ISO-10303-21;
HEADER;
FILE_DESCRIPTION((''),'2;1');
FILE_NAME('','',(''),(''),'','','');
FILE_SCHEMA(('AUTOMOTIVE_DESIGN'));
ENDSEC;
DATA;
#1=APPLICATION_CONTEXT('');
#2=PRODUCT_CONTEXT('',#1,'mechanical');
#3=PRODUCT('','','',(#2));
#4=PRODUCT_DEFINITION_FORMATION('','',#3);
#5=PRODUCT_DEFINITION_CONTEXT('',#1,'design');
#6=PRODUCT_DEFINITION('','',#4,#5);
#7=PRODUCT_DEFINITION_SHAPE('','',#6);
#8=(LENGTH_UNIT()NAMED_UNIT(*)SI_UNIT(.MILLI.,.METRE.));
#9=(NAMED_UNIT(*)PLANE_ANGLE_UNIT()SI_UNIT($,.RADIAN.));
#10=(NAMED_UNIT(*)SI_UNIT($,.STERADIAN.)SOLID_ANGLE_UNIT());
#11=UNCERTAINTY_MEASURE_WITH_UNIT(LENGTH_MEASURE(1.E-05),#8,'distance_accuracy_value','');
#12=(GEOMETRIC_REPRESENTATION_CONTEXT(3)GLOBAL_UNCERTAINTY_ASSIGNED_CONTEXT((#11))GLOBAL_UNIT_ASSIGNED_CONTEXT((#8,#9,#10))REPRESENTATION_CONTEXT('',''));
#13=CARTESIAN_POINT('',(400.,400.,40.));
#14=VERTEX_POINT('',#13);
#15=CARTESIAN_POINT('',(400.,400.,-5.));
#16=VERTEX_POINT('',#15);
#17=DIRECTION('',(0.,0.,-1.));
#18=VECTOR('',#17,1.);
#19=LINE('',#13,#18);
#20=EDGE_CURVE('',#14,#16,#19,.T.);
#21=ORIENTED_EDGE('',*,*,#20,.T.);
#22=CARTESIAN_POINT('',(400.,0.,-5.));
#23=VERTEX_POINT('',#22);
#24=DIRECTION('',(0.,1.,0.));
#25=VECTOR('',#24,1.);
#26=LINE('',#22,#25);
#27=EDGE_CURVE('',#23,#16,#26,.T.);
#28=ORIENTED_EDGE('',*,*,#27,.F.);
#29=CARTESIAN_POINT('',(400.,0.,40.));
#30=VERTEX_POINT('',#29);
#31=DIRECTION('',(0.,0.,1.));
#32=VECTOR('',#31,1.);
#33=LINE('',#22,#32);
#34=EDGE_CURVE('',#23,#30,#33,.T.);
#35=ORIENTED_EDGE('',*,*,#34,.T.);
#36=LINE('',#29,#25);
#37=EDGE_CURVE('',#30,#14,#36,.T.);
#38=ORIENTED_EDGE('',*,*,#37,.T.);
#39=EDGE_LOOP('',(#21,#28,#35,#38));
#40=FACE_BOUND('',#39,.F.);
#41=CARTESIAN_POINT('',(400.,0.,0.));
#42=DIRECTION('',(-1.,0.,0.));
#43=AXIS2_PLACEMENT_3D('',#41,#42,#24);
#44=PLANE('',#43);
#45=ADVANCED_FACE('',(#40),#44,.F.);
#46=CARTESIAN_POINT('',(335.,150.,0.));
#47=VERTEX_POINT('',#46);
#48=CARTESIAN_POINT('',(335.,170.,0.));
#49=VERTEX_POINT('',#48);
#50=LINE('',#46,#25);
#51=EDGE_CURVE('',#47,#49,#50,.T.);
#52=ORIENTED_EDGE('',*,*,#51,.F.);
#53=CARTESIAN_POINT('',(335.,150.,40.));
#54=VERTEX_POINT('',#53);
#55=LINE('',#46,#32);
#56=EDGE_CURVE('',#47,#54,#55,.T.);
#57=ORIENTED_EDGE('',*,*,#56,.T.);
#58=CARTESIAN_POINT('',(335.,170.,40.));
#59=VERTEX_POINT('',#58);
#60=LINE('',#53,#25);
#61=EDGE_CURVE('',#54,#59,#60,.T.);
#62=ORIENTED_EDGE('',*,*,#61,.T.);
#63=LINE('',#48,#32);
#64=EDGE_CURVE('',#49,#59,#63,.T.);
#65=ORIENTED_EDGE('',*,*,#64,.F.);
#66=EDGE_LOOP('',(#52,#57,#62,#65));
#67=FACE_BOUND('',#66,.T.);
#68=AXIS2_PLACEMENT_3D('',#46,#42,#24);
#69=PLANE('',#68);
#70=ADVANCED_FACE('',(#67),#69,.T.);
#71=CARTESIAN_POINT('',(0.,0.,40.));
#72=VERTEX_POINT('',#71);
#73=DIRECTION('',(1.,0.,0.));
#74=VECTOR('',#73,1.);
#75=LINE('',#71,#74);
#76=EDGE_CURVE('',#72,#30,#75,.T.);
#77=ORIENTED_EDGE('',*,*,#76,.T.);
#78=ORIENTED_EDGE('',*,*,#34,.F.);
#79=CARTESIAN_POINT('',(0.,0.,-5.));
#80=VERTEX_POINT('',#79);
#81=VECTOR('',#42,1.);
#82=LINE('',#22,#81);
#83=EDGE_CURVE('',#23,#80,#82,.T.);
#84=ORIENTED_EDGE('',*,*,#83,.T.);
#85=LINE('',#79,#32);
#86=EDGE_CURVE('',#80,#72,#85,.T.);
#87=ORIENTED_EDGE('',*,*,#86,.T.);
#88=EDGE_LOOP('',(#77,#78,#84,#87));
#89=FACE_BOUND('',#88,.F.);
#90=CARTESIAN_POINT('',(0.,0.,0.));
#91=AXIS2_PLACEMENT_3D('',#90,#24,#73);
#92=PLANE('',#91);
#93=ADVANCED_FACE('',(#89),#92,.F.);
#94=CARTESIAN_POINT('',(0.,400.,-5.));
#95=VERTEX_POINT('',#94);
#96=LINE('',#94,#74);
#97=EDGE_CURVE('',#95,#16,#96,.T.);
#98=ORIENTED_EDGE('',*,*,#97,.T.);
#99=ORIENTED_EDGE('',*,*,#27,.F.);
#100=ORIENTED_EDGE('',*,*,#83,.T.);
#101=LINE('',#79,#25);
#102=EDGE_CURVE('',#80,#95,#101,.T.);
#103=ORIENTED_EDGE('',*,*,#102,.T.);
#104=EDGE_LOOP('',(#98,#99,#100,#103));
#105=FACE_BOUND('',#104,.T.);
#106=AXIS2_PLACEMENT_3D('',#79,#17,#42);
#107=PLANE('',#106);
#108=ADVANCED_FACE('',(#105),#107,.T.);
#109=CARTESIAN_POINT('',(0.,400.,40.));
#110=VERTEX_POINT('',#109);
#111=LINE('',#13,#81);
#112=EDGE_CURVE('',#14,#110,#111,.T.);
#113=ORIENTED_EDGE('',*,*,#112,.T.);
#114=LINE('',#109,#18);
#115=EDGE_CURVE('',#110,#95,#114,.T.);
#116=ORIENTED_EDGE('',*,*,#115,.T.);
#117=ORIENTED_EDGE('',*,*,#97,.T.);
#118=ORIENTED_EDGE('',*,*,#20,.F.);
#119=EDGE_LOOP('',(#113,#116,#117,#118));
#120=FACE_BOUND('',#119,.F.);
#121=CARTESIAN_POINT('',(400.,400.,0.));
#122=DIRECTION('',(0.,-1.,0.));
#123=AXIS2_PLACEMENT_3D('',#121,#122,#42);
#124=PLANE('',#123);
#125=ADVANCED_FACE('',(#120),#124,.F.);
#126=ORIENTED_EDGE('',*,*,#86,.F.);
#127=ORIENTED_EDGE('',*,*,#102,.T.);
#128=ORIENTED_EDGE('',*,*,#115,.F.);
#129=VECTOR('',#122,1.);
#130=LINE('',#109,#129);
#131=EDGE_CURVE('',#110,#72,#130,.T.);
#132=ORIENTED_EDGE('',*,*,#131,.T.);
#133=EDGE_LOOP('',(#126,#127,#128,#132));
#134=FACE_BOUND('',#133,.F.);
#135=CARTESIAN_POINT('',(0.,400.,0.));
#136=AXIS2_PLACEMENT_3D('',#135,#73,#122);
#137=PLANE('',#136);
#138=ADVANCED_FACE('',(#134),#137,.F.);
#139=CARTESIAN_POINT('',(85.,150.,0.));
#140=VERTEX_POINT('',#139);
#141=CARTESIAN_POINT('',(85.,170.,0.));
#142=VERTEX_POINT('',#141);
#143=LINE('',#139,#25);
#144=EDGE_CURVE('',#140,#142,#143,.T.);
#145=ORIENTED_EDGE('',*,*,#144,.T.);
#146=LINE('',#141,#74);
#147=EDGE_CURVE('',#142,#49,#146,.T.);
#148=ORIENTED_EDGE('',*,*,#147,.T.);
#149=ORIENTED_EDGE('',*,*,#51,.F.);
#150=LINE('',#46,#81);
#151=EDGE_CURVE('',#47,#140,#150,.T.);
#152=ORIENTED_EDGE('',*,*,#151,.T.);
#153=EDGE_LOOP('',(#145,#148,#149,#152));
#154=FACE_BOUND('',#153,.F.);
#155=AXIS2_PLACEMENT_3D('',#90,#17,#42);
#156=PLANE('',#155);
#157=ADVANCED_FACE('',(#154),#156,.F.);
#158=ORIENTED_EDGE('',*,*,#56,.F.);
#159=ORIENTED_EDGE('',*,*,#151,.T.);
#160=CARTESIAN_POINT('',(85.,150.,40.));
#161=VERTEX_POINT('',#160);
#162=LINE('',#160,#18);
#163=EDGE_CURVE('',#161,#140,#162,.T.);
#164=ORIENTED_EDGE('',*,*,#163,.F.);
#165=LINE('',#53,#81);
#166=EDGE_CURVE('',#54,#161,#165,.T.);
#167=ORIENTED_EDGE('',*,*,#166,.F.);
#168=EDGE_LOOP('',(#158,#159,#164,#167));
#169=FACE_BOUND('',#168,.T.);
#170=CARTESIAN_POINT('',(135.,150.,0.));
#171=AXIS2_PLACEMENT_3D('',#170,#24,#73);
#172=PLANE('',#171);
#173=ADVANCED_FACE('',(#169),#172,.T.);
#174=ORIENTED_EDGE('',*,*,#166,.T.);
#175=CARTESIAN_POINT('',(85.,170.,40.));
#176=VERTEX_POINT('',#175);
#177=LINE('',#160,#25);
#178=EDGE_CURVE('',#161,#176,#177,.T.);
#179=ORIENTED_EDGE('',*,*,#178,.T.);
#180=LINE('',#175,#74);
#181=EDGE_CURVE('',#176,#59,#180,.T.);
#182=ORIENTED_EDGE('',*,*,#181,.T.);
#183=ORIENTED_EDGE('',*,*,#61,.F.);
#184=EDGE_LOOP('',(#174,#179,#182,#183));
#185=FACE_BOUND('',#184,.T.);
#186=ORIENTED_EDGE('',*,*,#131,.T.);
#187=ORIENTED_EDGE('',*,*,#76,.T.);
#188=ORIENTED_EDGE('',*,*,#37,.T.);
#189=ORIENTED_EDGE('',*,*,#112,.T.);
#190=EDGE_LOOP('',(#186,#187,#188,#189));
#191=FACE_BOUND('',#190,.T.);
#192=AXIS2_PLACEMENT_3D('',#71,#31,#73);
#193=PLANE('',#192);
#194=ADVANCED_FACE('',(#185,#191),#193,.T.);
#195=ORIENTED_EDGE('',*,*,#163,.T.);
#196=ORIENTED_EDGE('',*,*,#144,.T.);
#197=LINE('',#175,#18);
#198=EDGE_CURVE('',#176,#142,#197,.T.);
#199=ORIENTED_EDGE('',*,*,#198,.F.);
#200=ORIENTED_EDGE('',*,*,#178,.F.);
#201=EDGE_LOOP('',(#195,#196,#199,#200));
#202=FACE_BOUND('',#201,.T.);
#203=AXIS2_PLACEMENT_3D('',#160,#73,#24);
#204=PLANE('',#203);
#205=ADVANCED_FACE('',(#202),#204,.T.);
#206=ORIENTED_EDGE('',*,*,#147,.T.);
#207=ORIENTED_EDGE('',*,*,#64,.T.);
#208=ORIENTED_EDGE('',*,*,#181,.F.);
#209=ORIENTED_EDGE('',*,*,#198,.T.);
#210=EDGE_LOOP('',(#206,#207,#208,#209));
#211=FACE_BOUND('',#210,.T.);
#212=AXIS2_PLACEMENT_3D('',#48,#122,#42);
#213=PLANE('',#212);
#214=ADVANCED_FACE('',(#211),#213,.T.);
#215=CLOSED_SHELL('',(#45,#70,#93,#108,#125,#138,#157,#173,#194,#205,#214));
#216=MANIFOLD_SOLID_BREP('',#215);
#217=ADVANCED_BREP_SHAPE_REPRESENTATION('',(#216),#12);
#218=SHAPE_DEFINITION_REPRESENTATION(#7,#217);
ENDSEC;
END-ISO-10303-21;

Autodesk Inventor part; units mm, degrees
ref_plane "YZ Plane" through (0, 0, 0) normal (1, 0, 0) x (0, 1, 0)
ref_plane "XZ Plane" through (0, 0, 0) normal (0, 1, 0) x (-1, 0, 0)
ref_plane "XY Plane" through (0, 0, 0) normal (0, 0, 1) x (1, 0, 0)
sketch "Sketch1" plane through (0, 0, 0) normal (0, 0, 1) x (1, 0, 0)
  line L0 (0, 0) -> (400, 0)
  line L1 (400, 0) -> (400, 400)
  line L2 (400, 400) -> (0, 400)
  line L3 (0, 400) -> (0, 0)
  line L4 (135, 150) -> (335, 150)
  line L5 (335, 150) -> (335, 170)
  line L6 (335, 170) -> (135, 170)
  line L7 (135, 170) -> (135, 150)
  dimension "d0" = 400
  dimension "d1" = 400
  dimension "d2" = 200
  dimension "d3" = 20
extrude "Extrusion1" add sketch "Sketch1" along normal blind 40
sketch "Sketch2" plane through (0, 0, 0) normal (0, 0, -1) x (-1, 0, 0)
  line L0 (-400, 0) -> (-400, 400) projected
  line L1 (0, 400) -> (-400, 400)
  line L2 (-400, 400) -> (-400, 0)
  line L3 (-400, 0) -> (0, 0)
  line L4 (0, 0) -> (0, 400)
extrude "Extrusion2" add sketch "Sketch2" along normal blind 5
sketch "Sketch3" plane through (0, 0, 40) normal (0, 0, 1) x (1, 0, 0)
  line L0 (335, 150) -> (135, 150) projected
  line L1 (135, 150) -> (85, 150)
  line L2 (85, 150) -> (85, 170)
  line L3 (85, 170) -> (135, 170)
  line L4 (135, 170) -> (135, 150)
  point P0 (0, 0)
  dimension "d8" = 50
  dimension "d9" = 20
extrude "Extrusion3" cut sketch "Sketch3" against normal blind 40
properties part number "basebottomds"
